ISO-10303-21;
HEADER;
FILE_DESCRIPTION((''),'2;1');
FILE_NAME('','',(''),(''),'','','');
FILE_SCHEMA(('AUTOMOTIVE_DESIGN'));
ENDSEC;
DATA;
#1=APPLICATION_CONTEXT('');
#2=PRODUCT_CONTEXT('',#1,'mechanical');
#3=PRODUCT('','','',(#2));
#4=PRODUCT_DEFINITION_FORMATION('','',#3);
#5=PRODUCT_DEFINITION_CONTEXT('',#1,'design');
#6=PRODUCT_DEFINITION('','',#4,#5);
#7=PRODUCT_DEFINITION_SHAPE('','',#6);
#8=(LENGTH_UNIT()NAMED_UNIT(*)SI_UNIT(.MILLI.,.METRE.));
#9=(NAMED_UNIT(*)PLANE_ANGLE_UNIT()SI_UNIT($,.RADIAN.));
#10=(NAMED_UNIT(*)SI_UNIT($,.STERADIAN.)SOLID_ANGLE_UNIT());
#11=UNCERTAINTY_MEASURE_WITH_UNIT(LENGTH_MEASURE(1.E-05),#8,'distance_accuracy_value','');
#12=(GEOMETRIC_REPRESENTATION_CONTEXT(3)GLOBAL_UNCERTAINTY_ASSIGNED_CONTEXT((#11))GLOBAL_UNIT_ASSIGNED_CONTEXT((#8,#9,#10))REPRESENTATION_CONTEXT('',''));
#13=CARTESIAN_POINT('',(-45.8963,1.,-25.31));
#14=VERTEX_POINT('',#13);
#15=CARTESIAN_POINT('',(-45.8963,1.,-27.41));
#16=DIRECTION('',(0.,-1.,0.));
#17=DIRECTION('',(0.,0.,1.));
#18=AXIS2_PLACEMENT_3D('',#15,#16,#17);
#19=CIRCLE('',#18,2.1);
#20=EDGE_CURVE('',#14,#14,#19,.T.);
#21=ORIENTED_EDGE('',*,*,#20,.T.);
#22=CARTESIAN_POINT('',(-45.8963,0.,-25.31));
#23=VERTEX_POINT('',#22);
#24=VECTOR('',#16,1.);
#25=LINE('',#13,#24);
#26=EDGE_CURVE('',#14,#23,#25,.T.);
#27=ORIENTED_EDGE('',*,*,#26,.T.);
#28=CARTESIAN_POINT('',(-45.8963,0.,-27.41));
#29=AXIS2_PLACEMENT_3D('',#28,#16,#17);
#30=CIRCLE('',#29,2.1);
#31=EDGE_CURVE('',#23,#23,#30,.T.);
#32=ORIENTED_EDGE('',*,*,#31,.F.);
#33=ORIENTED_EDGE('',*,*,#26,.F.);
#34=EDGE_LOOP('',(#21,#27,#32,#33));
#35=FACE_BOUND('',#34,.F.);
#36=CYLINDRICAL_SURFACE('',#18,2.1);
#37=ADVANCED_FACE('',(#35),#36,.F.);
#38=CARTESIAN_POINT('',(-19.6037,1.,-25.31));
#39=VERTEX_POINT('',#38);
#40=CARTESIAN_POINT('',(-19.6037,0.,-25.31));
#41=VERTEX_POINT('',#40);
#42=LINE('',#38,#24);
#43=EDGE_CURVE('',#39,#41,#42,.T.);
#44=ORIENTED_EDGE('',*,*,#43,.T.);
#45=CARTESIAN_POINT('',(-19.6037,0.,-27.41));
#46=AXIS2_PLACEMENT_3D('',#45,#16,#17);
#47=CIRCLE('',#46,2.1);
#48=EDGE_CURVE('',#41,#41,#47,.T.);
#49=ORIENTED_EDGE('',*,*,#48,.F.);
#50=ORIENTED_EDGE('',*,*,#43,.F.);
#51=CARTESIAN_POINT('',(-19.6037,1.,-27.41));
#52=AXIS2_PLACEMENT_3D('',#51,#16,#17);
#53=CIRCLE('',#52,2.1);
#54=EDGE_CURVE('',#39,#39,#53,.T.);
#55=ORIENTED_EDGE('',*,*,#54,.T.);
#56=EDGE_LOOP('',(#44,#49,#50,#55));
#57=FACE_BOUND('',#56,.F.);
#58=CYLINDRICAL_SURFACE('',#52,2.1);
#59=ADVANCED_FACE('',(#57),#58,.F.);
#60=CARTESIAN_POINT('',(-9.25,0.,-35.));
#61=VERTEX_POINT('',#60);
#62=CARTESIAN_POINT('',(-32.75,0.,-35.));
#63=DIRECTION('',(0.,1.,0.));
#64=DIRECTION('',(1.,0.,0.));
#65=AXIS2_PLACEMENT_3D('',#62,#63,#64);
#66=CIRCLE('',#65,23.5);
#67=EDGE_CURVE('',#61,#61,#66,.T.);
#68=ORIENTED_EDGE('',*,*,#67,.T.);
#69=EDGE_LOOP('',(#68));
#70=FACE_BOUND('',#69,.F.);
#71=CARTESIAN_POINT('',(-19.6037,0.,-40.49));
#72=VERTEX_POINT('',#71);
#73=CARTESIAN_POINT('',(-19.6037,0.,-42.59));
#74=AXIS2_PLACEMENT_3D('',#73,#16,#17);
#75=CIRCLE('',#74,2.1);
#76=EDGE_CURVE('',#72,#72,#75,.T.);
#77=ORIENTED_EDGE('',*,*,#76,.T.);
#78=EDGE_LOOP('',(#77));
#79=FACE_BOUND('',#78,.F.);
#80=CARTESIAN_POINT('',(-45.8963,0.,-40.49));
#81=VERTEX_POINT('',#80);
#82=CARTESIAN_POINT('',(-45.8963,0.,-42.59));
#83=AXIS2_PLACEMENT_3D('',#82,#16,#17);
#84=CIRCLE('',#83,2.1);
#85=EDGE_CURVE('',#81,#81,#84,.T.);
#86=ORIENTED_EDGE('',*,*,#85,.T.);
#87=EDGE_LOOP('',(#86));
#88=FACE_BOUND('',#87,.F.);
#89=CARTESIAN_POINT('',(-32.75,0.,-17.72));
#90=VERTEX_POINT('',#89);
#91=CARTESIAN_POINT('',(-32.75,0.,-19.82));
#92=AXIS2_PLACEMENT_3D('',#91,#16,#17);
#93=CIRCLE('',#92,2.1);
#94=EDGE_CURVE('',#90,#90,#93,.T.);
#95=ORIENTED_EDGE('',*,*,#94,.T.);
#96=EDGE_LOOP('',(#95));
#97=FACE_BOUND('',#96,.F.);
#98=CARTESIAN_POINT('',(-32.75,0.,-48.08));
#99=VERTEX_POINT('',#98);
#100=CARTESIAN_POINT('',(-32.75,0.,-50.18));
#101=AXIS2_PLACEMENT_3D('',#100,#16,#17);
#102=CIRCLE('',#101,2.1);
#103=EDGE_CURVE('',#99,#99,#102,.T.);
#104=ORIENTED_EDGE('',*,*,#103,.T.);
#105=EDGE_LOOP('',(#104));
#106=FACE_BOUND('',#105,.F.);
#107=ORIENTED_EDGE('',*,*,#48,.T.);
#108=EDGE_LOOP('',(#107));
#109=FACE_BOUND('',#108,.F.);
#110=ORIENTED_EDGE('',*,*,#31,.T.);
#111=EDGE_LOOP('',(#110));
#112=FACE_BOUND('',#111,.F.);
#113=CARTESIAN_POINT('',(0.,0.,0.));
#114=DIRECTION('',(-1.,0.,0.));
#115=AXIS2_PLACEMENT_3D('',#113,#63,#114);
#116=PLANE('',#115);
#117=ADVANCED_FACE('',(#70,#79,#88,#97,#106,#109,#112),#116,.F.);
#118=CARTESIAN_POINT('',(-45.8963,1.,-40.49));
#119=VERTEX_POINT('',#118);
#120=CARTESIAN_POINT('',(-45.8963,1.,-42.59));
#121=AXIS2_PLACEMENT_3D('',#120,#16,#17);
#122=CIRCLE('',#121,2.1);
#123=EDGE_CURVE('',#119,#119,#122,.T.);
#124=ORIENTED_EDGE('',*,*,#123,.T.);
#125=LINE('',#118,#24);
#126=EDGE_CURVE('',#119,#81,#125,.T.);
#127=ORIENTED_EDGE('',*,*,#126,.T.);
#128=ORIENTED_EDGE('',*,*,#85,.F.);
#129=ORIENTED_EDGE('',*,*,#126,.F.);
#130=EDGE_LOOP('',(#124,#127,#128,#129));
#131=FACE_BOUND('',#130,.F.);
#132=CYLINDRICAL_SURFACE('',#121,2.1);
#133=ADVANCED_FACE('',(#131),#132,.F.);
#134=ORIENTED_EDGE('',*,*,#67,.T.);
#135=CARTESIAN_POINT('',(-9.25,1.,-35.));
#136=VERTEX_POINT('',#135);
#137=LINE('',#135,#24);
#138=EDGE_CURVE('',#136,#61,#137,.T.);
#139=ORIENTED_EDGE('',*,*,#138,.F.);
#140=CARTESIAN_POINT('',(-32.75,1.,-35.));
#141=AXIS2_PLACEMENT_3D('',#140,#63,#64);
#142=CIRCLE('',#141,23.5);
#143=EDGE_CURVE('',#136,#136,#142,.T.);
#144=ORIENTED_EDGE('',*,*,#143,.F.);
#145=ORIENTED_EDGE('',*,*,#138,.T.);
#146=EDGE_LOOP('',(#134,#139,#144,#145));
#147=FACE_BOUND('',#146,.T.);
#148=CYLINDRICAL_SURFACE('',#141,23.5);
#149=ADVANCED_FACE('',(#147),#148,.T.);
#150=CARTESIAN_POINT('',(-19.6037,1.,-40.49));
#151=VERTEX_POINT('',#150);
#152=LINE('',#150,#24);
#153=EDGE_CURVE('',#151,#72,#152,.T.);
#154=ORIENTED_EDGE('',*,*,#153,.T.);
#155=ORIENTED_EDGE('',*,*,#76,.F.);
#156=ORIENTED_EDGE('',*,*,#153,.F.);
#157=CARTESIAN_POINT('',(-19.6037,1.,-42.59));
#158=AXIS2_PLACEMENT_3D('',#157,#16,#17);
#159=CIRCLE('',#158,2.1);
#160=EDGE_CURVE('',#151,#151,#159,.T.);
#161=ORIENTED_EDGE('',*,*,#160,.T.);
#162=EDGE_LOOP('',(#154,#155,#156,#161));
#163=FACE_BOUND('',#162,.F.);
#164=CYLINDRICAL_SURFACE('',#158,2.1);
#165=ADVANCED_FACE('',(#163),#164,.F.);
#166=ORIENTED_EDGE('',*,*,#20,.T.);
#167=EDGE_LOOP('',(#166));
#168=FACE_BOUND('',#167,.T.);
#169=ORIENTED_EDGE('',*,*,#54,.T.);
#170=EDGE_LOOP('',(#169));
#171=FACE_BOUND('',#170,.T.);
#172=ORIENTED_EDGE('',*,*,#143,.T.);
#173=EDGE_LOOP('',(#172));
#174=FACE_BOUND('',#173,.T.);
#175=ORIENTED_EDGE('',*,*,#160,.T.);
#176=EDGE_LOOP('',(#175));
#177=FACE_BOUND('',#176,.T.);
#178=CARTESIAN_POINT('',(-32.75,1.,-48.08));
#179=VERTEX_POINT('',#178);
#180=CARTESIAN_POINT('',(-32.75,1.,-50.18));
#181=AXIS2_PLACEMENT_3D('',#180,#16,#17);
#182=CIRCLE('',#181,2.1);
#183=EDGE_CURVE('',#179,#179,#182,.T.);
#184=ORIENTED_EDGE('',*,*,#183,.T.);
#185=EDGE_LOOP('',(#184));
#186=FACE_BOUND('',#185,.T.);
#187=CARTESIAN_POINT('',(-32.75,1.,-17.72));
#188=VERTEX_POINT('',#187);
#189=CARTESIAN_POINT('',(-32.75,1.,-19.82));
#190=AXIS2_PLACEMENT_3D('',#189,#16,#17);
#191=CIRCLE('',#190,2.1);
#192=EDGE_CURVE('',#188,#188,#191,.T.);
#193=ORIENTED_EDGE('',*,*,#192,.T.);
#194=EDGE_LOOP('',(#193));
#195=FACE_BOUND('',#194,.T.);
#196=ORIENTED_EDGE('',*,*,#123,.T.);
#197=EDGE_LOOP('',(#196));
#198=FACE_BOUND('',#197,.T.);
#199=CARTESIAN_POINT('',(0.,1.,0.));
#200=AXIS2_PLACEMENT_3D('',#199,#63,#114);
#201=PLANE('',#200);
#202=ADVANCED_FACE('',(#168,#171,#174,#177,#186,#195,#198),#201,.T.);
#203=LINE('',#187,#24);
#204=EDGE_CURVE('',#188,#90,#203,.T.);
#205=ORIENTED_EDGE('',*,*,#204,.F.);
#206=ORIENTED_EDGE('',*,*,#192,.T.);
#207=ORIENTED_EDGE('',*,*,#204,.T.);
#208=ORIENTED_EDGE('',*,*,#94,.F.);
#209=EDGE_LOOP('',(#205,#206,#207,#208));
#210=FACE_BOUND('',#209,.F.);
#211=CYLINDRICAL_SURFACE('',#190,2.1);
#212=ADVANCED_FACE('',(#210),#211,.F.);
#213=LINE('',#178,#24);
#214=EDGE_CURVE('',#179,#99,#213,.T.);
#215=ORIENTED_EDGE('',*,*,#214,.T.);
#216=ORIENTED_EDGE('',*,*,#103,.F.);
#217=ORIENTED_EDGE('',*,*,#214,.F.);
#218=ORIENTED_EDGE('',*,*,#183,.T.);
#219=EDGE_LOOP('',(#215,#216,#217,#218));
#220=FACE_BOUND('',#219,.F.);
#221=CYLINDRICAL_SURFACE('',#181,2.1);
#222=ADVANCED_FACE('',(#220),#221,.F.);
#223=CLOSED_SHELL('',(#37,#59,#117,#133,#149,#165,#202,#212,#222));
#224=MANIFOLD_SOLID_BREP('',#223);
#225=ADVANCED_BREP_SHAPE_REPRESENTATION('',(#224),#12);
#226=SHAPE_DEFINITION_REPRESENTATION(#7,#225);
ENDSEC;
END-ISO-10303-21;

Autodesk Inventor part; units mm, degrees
ref_plane "YZ Plane" through (0, 0, 0) normal (1, 0, 0) x (0, 1, 0)
ref_plane "XZ Plane" through (0, 0, 0) normal (0, 1, 0) x (-1, 0, 0)
ref_plane "XY Plane" through (0, 0, 0) normal (0, 0, 1) x (1, 0, 0)
sketch "スケッチ1" plane through (0, 0, 0) normal (0, 1, 0) x (-1, 0, 0)
  line L0 (0, 0) -> (65.5, 0)
  line L1 (65.5, 0) -> (65.5, -70)
  line L2 (65.5, -70) -> (0, -70)
  line L3 (0, -70) -> (0, 0)
  dimension "d0" = 65.5
  dimension "d1" = 70
extrude "押し出し1" add sketch "スケッチ1" along normal blind 1
sketch "スケッチ3" plane through (0, 1, 0) normal (0, 1, 0) x (1, 0, 0)
  line L0 (-65.5, 0) -> (0, 0) projected
  line L1 (-32.75, 0) -> (-32.75, 70)
  line L2 (0, 70) -> (-65.5, 70) projected
  circle A0 centre (-32.75, 35) radius 15.18
  point P0 (-32.75, 50.18)
  point P1 (-45.8963, 42.59)
  point P2 (-45.8963, 27.41)
  point P3 (-32.75, 19.82)
  point P4 (-19.6037, 27.41)
  point P5 (-19.6037, 42.59)
  dimension "d15" = 30.36
  dimension "d18" = 360
hole "穴2" at (-32.75, 1, -50.18) at (-45.8963, 1, -42.59) at (-45.8963, 1, -27.41) at (-32.75, 1, -19.82) at (-19.6037, 1, -27.41) at (-19.6037, 1, -42.59) direction (0, -1, 0) diameter 4.2 end through all
sketch "スケッチ4" plane through (0, 1, 0) normal (0, 1, 0) x (1, 0, 0)
  line L0 (-65.5, 70) -> (-65.5, 0) projected
  line L1 (0, 70) -> (-65.5, 70) projected
  circle A0 centre (-32.75, 35) radius 23.5
  line L2 (0, 0) -> (0, 70) projected
  line L3 (-65.5, 70) -> (0, 70)
  line L4 (0, 70) -> (0, 0)
  line L5 (0, 0) -> (-65.5, 0)
  line L6 (-65.5, 0) -> (-65.5, 70)
  dimension "d27" = 47
  dimension "d28" = 35
  dimension "d29" = 32.75
extrude "押し出し2" cut sketch "スケッチ4" against normal blind 1
properties part number "link2_plate5" material "アルミニウム 6061"
